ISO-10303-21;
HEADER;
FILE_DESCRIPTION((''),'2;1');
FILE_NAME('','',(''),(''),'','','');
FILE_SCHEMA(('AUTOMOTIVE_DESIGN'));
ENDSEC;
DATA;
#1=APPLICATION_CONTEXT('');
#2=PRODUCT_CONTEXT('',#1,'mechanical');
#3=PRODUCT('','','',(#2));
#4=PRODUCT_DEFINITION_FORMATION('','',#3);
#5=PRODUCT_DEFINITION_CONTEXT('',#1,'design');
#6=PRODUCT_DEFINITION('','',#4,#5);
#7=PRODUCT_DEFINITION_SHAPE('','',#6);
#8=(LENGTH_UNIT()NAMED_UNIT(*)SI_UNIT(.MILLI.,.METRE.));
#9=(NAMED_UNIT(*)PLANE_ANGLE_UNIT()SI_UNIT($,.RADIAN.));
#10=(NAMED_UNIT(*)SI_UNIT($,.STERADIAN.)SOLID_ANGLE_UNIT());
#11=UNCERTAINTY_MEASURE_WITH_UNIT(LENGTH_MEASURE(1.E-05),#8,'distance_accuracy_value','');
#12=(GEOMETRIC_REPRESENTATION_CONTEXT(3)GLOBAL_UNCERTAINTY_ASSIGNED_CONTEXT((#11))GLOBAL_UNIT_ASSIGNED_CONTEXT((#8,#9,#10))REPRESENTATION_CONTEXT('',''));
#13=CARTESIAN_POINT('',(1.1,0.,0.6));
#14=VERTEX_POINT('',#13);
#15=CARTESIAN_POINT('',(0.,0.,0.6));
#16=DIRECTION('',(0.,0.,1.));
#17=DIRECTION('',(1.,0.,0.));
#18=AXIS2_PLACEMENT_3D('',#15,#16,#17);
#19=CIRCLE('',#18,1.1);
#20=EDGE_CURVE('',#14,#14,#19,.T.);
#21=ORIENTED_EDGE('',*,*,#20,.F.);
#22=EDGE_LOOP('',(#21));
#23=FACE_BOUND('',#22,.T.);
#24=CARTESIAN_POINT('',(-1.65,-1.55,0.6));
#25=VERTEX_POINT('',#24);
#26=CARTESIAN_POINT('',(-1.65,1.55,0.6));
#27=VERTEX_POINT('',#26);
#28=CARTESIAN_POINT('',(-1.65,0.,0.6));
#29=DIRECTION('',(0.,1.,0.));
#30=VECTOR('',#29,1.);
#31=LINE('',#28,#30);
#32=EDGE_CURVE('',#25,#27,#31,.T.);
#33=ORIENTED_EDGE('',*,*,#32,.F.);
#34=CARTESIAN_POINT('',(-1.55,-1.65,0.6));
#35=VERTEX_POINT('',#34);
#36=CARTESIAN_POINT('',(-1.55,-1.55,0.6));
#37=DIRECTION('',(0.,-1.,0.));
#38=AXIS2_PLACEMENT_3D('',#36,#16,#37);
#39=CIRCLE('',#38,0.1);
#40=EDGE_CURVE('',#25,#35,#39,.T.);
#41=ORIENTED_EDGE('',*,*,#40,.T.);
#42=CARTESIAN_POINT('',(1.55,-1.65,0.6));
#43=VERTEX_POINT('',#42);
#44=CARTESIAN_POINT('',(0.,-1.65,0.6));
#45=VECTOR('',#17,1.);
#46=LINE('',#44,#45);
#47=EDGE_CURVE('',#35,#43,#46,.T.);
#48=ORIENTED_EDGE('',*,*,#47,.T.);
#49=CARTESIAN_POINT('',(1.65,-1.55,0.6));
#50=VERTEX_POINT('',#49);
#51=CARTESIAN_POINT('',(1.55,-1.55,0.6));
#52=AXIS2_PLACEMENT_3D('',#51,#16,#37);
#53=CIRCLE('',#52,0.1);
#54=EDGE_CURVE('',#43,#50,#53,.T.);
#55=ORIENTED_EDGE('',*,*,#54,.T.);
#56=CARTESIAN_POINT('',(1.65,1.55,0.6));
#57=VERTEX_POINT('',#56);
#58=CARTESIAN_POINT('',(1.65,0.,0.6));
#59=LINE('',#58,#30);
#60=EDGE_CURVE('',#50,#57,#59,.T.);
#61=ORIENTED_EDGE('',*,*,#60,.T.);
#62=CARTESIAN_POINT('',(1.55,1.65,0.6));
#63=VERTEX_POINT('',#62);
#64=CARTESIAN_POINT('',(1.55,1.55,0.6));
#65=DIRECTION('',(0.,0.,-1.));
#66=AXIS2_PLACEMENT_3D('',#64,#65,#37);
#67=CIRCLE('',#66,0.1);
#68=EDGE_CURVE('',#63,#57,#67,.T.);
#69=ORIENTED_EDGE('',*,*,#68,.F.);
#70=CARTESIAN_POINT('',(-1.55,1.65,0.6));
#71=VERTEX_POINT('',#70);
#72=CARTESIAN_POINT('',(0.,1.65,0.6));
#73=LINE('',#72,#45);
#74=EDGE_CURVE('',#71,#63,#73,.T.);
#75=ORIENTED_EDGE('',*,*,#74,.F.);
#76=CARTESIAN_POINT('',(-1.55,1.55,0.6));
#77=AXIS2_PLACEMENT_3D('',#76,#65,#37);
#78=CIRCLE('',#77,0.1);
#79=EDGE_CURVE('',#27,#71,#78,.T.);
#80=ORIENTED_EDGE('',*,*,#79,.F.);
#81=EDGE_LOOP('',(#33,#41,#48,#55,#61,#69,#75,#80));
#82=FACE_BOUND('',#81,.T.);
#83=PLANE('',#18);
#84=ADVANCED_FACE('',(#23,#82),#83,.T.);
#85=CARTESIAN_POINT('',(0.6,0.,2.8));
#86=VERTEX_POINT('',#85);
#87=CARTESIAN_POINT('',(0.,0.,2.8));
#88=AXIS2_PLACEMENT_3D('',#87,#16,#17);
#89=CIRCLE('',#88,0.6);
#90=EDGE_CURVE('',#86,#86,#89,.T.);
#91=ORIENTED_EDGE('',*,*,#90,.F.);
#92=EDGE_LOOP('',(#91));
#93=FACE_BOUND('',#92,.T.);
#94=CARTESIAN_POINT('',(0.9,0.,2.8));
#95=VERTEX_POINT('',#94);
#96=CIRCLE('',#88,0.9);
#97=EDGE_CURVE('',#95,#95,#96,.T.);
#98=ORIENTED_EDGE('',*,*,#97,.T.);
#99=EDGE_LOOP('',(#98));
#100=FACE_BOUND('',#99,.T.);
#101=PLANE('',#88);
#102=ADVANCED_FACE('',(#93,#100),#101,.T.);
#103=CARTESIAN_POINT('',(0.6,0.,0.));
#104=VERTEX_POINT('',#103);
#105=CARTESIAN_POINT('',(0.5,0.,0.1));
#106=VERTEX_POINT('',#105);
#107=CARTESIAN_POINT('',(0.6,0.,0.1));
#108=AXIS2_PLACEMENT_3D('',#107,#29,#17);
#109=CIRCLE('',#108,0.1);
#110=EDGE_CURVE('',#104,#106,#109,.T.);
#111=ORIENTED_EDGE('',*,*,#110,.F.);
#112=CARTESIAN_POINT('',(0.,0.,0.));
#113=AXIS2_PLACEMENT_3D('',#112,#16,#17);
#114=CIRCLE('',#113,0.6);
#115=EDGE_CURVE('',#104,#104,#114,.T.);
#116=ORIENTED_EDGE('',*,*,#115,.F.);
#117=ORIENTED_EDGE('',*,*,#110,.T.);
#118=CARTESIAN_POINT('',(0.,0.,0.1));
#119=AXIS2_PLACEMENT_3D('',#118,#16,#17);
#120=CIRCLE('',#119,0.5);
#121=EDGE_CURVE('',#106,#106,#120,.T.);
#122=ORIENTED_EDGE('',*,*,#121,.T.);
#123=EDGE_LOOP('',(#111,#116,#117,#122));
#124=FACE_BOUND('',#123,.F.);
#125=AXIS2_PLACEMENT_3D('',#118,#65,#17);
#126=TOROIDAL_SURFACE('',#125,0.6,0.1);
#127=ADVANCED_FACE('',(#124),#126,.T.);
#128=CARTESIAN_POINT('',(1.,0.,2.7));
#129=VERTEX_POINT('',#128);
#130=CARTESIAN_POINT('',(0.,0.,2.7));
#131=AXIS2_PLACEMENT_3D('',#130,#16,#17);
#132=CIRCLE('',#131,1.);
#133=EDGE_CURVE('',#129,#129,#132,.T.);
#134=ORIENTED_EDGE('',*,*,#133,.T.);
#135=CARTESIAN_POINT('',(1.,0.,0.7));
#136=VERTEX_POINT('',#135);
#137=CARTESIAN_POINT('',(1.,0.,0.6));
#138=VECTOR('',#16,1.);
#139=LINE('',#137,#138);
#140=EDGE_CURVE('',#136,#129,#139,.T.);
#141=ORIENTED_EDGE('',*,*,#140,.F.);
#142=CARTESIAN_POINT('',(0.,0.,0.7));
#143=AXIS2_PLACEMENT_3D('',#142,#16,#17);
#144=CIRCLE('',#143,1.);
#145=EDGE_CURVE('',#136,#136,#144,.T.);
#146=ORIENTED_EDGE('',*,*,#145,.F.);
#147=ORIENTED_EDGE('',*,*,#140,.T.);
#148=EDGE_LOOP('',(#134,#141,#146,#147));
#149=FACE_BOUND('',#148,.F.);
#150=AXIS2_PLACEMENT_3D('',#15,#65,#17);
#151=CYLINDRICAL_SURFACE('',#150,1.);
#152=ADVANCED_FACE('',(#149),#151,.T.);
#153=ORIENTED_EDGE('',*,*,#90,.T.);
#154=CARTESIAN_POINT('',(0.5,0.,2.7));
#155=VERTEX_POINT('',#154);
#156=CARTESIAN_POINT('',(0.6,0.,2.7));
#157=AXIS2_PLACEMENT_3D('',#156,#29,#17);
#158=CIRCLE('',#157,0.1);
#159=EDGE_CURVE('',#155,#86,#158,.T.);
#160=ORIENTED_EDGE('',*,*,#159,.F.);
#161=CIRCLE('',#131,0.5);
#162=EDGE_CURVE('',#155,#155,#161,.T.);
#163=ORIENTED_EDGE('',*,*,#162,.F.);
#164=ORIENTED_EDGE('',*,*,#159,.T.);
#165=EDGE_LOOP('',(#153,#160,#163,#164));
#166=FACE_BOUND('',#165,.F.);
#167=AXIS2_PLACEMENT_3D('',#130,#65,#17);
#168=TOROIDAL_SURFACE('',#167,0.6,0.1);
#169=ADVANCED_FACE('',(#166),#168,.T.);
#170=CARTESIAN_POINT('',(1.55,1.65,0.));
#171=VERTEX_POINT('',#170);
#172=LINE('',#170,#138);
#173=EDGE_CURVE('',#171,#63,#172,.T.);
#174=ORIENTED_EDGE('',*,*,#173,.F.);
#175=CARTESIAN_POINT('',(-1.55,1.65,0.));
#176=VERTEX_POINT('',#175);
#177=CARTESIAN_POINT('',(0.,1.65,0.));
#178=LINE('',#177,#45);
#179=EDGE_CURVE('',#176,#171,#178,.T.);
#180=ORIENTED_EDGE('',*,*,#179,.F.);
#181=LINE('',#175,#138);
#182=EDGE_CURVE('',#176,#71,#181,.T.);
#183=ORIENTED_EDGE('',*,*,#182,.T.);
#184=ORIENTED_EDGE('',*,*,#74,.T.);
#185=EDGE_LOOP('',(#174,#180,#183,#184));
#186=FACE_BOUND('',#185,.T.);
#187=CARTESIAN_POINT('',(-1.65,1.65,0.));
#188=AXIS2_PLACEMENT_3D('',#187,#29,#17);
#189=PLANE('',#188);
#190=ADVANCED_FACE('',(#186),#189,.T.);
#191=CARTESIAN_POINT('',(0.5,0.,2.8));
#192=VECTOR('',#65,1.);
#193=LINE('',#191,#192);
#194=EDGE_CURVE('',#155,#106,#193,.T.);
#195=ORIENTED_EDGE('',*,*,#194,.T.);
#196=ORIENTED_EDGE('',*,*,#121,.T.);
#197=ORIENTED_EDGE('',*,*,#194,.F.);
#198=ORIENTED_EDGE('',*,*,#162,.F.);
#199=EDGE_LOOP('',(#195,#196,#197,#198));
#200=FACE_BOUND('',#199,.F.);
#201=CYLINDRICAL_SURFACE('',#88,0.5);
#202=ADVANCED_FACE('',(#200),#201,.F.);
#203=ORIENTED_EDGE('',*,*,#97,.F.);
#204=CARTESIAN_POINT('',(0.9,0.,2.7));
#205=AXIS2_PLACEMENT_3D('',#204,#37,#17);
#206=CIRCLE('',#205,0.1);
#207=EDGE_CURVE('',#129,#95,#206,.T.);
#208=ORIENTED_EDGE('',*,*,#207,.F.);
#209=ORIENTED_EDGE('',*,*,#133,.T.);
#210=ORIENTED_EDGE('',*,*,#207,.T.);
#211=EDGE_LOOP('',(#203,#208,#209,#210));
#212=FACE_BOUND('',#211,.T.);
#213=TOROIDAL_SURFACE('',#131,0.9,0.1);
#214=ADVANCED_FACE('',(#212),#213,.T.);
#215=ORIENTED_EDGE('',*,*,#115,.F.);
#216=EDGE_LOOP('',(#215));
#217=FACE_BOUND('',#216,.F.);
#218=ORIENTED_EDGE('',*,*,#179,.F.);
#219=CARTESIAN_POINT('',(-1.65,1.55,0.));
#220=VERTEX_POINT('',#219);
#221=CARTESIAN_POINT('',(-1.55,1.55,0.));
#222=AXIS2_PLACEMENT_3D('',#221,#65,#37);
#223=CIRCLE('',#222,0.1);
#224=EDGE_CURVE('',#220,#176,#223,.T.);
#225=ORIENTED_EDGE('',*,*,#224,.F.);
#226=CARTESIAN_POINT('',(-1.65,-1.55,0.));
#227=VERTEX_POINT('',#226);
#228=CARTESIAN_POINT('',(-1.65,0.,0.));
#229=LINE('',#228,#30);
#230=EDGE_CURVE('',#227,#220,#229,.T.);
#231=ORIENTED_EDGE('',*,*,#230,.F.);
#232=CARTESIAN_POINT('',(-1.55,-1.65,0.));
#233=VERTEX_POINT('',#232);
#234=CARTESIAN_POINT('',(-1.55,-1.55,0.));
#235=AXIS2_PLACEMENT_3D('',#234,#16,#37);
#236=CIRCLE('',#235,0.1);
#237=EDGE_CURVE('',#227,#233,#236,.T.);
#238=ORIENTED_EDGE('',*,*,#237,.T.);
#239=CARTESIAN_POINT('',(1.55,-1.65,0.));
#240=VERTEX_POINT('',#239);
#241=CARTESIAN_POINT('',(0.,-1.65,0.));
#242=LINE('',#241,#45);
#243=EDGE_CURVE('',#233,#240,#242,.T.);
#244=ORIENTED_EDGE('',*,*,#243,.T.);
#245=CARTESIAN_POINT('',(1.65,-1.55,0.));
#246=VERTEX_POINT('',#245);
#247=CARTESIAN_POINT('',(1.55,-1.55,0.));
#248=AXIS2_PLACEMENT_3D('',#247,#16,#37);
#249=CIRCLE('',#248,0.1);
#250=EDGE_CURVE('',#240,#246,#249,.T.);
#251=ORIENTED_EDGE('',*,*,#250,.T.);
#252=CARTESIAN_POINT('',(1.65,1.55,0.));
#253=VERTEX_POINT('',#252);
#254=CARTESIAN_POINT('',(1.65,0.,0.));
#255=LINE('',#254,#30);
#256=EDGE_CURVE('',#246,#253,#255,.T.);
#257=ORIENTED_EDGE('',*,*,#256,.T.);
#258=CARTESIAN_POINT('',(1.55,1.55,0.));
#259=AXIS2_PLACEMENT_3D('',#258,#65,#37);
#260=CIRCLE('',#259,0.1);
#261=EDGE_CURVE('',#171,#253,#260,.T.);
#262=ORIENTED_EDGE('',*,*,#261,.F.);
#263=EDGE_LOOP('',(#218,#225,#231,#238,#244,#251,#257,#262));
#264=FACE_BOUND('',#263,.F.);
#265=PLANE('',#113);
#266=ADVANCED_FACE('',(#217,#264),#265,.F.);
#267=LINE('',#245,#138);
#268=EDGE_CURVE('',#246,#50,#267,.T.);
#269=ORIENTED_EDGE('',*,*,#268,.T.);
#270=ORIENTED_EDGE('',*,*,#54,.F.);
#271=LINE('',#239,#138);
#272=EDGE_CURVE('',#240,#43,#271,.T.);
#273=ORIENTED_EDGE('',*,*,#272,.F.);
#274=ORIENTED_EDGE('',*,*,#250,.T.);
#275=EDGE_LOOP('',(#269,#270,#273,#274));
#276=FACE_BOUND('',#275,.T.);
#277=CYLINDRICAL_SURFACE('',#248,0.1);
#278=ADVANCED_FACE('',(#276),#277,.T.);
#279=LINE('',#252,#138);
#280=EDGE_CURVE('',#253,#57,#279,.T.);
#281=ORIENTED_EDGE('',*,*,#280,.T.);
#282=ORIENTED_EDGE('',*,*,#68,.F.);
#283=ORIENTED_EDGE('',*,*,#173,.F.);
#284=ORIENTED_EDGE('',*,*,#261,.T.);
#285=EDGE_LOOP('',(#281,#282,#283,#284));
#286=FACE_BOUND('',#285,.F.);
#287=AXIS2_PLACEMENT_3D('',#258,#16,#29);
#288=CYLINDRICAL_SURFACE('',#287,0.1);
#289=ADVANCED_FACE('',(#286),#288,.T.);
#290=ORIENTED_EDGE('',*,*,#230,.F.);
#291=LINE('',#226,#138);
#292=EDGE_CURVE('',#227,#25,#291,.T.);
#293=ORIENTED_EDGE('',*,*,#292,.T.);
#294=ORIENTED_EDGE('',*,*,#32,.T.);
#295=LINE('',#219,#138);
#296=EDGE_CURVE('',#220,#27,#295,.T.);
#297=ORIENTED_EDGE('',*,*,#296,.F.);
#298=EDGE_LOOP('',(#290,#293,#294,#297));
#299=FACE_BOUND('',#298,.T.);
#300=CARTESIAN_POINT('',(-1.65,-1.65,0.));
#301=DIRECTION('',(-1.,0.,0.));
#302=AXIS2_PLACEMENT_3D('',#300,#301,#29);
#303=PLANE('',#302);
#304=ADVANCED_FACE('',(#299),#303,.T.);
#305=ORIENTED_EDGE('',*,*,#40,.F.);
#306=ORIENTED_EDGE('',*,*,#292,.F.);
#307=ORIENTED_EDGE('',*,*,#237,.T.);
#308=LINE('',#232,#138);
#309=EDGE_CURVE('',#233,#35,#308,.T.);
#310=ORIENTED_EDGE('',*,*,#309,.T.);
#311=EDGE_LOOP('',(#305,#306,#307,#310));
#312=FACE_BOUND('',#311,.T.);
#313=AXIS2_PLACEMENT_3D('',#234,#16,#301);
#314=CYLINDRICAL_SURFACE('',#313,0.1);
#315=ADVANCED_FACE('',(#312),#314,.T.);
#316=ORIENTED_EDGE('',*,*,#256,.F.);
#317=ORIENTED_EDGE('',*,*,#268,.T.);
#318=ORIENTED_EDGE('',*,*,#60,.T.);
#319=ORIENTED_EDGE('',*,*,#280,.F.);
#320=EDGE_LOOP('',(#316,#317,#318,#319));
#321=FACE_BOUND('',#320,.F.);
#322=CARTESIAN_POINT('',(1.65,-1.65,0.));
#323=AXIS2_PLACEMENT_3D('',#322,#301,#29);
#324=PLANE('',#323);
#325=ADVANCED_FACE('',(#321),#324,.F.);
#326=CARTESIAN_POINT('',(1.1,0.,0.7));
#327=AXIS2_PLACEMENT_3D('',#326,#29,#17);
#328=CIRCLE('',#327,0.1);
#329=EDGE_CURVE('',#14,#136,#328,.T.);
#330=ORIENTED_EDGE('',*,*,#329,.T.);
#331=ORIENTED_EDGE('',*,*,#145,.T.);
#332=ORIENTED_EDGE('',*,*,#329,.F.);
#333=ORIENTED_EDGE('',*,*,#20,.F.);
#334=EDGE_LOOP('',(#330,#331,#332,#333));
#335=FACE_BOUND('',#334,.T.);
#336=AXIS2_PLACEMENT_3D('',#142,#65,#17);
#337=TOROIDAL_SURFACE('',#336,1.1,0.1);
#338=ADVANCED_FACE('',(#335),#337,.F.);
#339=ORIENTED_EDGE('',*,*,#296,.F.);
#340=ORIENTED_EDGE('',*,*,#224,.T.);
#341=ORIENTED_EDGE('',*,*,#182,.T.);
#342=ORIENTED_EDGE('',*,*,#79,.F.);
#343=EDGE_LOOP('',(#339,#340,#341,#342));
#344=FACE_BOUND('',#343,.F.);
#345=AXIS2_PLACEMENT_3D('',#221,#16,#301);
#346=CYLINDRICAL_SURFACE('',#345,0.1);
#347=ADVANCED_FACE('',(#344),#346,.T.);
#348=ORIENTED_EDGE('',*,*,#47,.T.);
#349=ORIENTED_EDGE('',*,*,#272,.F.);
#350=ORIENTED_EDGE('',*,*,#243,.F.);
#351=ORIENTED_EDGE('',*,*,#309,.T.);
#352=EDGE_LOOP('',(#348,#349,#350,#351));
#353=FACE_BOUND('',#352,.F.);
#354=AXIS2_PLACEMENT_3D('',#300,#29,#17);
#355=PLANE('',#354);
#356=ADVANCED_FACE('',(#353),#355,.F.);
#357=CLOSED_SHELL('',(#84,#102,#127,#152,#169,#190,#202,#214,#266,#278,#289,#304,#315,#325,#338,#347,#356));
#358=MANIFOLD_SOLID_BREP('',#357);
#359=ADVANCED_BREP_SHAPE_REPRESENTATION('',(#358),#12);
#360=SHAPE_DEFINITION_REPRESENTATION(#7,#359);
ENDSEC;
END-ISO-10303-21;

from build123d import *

# Parameters (mm, degrees)
F0_W     = 3.3
F0_H     = 3.3
F1_DEPTH = 0.6
F2_R     = 1
F3_DEPTH = 2.2
F4_R     = 0.5
F5_DEPTH = 2.8
F6_R     = 0.1


with BuildPart() as f1:
    # F0 (on Top) → F1 (new body)
    with BuildSketch(Plane.XY):
        Rectangle(F0_W, F0_H)
    extrude(amount=F1_DEPTH)

    # F2 (on face) → F3 (join)
    with BuildSketch(Plane.XY.offset(0.6)):
        Circle(F2_R)
    extrude(amount=F3_DEPTH)

    # F4 (on face) → F5 (cut, through all)
    with BuildSketch(Plane.XY.offset(2.8)):
        Circle(F4_R)
    extrude(amount=-F5_DEPTH, mode=Mode.SUBTRACT)

    # F6
    f6_edges = [f1.edges().sort_by_distance(p)[0] for p in [
        (-1, 0, 2.8),
        (-0.5, 0, 2.8),
        (-1, 0, 0.6),
        (-1.65, -1.65, 0.3),
        (1.65, -1.65, 0.3),
        (-1.65, 1.65, 0.3),
        (1.65, 1.65, 0.3),
        (-0.5, 0, 0),
    ]]
    fillet(f6_edges, radius=F6_R)


solid = f1.part
